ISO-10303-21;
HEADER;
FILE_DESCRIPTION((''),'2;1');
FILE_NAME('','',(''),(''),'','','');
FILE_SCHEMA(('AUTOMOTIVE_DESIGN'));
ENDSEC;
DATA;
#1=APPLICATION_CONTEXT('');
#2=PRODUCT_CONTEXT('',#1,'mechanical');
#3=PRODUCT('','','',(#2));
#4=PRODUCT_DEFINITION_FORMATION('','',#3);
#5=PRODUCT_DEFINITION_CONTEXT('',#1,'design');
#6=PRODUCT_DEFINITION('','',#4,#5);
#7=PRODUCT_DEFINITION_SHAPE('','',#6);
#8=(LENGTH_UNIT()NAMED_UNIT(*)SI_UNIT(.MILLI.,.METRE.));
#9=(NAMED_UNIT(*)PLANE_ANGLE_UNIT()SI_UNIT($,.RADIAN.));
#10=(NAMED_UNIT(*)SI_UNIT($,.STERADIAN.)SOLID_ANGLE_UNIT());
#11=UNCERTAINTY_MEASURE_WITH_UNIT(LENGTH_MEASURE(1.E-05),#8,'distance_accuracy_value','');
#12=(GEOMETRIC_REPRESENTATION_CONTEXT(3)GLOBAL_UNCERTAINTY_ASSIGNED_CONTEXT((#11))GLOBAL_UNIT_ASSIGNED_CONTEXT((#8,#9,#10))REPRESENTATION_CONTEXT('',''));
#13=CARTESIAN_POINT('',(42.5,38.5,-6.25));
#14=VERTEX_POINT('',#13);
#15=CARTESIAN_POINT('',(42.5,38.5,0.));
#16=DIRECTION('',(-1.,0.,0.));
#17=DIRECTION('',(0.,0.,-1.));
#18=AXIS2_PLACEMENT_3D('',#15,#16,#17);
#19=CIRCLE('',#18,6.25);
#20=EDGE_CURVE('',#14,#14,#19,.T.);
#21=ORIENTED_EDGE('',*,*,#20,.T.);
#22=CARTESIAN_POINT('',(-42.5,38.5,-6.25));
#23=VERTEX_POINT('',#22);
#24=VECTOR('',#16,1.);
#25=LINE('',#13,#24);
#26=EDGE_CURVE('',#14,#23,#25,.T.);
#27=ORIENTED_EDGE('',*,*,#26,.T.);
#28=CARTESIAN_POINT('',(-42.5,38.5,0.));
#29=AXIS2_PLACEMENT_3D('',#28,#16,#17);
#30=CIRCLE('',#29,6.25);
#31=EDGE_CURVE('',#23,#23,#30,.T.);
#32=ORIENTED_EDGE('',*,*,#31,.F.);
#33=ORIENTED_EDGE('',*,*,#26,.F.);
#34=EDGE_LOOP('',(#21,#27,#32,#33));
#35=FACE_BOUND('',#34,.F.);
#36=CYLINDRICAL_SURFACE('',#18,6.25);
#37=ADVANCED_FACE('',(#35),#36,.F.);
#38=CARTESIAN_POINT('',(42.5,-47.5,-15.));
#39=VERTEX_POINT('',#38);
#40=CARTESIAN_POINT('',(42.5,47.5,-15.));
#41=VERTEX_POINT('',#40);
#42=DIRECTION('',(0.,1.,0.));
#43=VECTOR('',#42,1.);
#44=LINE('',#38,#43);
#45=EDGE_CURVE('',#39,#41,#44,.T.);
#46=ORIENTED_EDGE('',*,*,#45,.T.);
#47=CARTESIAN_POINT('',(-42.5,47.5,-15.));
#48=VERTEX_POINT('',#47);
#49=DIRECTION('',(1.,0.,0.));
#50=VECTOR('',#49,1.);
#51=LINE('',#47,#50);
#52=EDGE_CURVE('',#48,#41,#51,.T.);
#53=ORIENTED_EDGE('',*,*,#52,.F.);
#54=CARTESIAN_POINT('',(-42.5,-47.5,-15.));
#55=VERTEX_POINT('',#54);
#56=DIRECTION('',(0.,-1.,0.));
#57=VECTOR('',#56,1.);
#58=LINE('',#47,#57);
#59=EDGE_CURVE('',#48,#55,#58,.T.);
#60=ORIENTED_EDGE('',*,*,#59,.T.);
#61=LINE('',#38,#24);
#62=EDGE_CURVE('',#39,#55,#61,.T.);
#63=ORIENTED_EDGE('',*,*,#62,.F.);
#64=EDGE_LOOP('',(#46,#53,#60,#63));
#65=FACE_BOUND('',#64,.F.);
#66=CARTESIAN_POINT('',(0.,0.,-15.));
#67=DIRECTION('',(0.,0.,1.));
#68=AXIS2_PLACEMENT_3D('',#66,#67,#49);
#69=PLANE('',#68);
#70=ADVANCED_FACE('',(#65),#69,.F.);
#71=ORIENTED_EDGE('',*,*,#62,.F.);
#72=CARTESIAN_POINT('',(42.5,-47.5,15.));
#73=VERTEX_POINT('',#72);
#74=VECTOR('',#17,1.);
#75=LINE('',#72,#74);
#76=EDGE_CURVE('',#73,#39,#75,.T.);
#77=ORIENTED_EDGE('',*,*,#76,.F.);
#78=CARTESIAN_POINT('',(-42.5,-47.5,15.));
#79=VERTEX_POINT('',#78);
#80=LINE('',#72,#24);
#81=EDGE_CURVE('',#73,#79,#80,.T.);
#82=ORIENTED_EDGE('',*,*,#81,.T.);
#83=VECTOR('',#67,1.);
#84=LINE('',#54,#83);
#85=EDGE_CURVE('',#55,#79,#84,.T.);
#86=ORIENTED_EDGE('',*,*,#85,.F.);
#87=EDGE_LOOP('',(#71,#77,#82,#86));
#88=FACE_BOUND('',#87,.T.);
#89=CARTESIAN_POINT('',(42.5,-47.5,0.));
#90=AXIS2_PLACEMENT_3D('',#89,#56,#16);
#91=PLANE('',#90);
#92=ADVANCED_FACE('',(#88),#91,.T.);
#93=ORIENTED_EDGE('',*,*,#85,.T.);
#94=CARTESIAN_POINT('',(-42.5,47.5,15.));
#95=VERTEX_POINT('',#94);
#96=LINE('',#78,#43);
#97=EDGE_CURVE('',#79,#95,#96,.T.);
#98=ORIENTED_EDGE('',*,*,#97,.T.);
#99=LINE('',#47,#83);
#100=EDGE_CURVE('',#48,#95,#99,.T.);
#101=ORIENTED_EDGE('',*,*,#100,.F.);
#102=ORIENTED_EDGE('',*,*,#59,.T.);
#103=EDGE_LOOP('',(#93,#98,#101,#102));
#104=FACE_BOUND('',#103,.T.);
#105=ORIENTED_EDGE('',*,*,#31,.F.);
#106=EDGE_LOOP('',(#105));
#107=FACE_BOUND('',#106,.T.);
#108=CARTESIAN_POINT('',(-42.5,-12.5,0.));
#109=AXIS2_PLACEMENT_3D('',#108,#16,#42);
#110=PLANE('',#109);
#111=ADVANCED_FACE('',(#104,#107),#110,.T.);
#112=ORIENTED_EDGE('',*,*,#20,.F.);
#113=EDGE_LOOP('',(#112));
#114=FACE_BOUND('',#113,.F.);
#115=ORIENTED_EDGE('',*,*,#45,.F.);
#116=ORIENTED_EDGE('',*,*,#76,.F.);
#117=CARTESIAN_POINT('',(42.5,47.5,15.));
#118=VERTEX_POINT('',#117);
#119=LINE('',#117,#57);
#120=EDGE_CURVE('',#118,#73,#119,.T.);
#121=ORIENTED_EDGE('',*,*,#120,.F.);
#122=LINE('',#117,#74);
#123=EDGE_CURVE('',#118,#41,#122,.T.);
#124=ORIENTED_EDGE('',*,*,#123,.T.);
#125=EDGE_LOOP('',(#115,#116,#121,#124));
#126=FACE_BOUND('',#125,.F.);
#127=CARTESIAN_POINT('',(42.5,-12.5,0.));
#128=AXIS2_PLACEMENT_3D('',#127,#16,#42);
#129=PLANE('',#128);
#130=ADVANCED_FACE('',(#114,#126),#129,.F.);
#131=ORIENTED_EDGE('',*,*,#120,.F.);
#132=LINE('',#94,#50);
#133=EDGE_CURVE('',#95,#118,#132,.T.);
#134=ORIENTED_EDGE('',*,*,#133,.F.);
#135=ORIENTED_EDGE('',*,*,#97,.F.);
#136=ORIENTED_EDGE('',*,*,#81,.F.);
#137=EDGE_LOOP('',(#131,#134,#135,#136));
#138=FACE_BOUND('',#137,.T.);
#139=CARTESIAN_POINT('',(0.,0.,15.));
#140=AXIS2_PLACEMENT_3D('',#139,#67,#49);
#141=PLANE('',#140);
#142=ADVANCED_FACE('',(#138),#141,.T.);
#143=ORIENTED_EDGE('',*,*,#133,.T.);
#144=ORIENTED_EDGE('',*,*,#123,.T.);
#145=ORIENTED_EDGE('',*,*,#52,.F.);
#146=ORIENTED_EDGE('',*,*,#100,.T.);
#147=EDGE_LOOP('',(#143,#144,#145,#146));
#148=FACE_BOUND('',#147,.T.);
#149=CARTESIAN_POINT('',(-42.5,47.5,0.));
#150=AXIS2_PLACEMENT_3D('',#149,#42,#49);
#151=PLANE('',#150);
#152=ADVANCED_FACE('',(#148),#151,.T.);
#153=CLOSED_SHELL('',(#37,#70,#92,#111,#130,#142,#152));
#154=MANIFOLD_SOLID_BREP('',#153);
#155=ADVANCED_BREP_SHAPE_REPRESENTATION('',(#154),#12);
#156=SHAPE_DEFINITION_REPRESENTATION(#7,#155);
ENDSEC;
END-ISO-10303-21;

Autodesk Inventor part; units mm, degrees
ref_plane "YZ Plane" through (0, 0, 0) normal (1, 0, 0) x (0, 1, 0)
ref_plane "XZ Plane" through (0, 0, 0) normal (0, 1, 0) x (-1, 0, 0)
ref_plane "XY Plane" through (0, 0, 0) normal (0, 0, 1) x (1, 0, 0)
sketch "Esboço1" plane through (0, 0, 0) normal (0, 0, 1) x (1, 0, 0)
  circle A0 centre (0, 0) radius 68 construction
  line L0 (-42.5, 47.5) -> (42.5, 47.5)
  line L1 (42.5, -27.5) -> (42.5, -47.5)
  line L2 (42.5, -47.5) -> (-42.5, -47.5)
  line L3 (-42.5, -47.5) -> (-42.5, -27.5)
  line L4 (-42.5, 47.5) -> (42.5, -47.5) construction
  line L5 (42.5, 47.5) -> (-42.5, -47.5) construction
  line L6 (-42.5, -27.5) -> (-42.5, -12.5)
  line L7 (-42.5, -12.5) -> (-42.5, 47.5)
  line L8 (0, 106.3715) -> (0, -163.339) construction
  line L9 (42.5, -27.5) -> (42.5, -12.5)
  line L10 (42.5, -12.5) -> (42.5, 47.5)
  dimension "d0" = 136
  dimension "d1" = 85
  dimension "d2" = 95
  dimension "d13" = 20
  dimension "d14" = 60
  dimension "d15" = 42.5
extrude "Extrusão1" add sketch "Esboço1" along normal mid plane 30
sketch "Esboço2" plane through (42.5, -47.5, 15) normal (1, 0, 0) x (0, 0, -1)
  line L0 (30, 95) -> (0, 95) construction
  line L1 (15, 95) -> (15, 0) construction
  line L2 (30, 0) -> (0, 0) construction
  circle A0 centre (15, 86) radius 6.472 construction
  point P0 (15, 47.5)
  dimension "d5" = 9
hole "Furo1" at (42.5, 38.5, 0) direction (-1, 0, 0) diameter 12.5 end through all
properties part number "suporteGuiaCentralRetangular"
